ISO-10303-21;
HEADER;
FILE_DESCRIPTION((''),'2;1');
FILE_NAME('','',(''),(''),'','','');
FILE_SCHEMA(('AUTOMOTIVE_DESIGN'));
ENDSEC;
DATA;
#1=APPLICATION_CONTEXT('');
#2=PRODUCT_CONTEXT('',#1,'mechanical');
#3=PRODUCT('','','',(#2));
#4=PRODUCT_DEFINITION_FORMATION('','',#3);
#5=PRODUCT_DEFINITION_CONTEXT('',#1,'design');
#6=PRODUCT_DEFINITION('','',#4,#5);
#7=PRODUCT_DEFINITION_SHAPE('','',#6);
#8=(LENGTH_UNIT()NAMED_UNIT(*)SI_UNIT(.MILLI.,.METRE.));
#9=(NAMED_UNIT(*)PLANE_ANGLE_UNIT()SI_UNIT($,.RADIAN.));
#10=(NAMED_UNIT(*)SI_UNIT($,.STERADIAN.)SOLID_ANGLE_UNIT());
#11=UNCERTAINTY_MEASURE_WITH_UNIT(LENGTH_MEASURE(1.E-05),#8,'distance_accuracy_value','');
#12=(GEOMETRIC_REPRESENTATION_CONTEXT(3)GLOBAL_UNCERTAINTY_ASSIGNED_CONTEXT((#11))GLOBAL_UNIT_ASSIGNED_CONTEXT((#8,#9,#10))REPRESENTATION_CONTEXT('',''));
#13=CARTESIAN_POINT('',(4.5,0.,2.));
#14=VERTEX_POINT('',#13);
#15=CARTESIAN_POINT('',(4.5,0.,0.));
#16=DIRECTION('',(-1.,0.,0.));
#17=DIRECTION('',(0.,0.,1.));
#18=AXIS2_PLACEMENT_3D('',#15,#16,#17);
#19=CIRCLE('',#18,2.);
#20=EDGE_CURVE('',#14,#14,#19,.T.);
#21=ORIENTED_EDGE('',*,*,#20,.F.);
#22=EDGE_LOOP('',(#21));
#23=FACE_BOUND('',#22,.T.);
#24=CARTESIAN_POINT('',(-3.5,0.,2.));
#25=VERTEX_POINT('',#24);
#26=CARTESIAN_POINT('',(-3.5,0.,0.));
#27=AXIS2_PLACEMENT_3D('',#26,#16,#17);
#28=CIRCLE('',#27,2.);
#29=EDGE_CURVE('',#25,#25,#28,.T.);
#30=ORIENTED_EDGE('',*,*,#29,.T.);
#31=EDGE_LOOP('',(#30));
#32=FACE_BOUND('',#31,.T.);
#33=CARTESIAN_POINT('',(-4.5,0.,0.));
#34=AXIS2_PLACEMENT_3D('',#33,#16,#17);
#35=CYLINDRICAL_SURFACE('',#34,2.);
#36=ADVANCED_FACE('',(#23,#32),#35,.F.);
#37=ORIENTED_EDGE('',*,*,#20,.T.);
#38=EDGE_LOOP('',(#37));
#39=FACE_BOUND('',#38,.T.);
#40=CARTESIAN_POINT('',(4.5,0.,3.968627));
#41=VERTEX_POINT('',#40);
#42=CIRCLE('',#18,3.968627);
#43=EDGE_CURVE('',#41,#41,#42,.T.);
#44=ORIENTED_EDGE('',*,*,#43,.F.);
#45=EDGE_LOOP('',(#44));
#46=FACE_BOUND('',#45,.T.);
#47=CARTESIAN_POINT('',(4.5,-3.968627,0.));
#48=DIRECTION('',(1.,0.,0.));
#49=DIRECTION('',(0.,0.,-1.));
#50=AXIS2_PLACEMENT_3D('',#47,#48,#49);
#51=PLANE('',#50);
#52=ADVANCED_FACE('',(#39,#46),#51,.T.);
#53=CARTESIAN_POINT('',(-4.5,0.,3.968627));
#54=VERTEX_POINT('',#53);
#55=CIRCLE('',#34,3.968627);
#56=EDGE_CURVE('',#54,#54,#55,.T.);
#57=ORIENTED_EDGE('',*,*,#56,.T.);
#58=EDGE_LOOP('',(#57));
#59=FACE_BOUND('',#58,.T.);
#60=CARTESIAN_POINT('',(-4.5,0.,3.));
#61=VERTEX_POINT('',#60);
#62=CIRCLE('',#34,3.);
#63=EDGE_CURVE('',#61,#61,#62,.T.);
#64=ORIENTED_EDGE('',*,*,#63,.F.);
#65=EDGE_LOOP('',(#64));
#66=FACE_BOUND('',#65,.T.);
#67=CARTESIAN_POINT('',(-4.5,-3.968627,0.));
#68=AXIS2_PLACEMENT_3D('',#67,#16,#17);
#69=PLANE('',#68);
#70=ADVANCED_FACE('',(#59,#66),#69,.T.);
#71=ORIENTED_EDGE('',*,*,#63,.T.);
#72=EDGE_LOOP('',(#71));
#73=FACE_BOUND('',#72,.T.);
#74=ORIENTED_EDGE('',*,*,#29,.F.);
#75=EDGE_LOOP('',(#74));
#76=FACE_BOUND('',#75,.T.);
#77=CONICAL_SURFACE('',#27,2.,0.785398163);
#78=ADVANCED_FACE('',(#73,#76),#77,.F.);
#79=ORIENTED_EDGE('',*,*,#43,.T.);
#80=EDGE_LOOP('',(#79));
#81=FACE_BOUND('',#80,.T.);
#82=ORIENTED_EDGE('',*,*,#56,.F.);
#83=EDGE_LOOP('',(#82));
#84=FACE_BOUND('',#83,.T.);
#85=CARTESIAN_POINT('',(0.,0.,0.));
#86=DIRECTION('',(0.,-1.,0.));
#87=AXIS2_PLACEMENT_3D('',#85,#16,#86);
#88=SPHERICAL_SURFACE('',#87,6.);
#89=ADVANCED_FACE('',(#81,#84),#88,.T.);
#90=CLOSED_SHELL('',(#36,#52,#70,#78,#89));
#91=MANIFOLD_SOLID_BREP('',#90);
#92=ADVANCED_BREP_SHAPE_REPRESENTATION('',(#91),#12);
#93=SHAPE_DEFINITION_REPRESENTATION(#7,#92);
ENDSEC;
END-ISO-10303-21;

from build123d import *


with BuildPart() as part:
    # Sketch1 → Revolve1 (revolve)
    with BuildSketch(Plane.XY):
        with BuildLine():
            Line((-4.5, 0), (4.5, 0))
            Line((4.5, 0), (4.5, -3.968626967))
            ThreePointArc((4.5, -3.968626967), (0, -6), (-4.5, -3.968626967))
            Line((-4.5, -3.968626967), (-4.5, 0))
        make_face()
    revolve(axis=Axis((-4.5, 0, 0), (1, 0, 0)))

    # Sketch2 → Cut-Revolve1 (revolve, cut)
    with BuildSketch(Plane(origin=(0, 0, 0), x_dir=(1, 0, 0), z_dir=(0, 1, 0))):
        Polygon((-3.5, 2), (4.5, 2), (4.5, 0), (-4.5, 0), (-4.5, 3), align=None)
    revolve(axis=Axis((-4.5, 0, 0), (1, 0, 0)), mode=Mode.SUBTRACT)


solid = part.part
